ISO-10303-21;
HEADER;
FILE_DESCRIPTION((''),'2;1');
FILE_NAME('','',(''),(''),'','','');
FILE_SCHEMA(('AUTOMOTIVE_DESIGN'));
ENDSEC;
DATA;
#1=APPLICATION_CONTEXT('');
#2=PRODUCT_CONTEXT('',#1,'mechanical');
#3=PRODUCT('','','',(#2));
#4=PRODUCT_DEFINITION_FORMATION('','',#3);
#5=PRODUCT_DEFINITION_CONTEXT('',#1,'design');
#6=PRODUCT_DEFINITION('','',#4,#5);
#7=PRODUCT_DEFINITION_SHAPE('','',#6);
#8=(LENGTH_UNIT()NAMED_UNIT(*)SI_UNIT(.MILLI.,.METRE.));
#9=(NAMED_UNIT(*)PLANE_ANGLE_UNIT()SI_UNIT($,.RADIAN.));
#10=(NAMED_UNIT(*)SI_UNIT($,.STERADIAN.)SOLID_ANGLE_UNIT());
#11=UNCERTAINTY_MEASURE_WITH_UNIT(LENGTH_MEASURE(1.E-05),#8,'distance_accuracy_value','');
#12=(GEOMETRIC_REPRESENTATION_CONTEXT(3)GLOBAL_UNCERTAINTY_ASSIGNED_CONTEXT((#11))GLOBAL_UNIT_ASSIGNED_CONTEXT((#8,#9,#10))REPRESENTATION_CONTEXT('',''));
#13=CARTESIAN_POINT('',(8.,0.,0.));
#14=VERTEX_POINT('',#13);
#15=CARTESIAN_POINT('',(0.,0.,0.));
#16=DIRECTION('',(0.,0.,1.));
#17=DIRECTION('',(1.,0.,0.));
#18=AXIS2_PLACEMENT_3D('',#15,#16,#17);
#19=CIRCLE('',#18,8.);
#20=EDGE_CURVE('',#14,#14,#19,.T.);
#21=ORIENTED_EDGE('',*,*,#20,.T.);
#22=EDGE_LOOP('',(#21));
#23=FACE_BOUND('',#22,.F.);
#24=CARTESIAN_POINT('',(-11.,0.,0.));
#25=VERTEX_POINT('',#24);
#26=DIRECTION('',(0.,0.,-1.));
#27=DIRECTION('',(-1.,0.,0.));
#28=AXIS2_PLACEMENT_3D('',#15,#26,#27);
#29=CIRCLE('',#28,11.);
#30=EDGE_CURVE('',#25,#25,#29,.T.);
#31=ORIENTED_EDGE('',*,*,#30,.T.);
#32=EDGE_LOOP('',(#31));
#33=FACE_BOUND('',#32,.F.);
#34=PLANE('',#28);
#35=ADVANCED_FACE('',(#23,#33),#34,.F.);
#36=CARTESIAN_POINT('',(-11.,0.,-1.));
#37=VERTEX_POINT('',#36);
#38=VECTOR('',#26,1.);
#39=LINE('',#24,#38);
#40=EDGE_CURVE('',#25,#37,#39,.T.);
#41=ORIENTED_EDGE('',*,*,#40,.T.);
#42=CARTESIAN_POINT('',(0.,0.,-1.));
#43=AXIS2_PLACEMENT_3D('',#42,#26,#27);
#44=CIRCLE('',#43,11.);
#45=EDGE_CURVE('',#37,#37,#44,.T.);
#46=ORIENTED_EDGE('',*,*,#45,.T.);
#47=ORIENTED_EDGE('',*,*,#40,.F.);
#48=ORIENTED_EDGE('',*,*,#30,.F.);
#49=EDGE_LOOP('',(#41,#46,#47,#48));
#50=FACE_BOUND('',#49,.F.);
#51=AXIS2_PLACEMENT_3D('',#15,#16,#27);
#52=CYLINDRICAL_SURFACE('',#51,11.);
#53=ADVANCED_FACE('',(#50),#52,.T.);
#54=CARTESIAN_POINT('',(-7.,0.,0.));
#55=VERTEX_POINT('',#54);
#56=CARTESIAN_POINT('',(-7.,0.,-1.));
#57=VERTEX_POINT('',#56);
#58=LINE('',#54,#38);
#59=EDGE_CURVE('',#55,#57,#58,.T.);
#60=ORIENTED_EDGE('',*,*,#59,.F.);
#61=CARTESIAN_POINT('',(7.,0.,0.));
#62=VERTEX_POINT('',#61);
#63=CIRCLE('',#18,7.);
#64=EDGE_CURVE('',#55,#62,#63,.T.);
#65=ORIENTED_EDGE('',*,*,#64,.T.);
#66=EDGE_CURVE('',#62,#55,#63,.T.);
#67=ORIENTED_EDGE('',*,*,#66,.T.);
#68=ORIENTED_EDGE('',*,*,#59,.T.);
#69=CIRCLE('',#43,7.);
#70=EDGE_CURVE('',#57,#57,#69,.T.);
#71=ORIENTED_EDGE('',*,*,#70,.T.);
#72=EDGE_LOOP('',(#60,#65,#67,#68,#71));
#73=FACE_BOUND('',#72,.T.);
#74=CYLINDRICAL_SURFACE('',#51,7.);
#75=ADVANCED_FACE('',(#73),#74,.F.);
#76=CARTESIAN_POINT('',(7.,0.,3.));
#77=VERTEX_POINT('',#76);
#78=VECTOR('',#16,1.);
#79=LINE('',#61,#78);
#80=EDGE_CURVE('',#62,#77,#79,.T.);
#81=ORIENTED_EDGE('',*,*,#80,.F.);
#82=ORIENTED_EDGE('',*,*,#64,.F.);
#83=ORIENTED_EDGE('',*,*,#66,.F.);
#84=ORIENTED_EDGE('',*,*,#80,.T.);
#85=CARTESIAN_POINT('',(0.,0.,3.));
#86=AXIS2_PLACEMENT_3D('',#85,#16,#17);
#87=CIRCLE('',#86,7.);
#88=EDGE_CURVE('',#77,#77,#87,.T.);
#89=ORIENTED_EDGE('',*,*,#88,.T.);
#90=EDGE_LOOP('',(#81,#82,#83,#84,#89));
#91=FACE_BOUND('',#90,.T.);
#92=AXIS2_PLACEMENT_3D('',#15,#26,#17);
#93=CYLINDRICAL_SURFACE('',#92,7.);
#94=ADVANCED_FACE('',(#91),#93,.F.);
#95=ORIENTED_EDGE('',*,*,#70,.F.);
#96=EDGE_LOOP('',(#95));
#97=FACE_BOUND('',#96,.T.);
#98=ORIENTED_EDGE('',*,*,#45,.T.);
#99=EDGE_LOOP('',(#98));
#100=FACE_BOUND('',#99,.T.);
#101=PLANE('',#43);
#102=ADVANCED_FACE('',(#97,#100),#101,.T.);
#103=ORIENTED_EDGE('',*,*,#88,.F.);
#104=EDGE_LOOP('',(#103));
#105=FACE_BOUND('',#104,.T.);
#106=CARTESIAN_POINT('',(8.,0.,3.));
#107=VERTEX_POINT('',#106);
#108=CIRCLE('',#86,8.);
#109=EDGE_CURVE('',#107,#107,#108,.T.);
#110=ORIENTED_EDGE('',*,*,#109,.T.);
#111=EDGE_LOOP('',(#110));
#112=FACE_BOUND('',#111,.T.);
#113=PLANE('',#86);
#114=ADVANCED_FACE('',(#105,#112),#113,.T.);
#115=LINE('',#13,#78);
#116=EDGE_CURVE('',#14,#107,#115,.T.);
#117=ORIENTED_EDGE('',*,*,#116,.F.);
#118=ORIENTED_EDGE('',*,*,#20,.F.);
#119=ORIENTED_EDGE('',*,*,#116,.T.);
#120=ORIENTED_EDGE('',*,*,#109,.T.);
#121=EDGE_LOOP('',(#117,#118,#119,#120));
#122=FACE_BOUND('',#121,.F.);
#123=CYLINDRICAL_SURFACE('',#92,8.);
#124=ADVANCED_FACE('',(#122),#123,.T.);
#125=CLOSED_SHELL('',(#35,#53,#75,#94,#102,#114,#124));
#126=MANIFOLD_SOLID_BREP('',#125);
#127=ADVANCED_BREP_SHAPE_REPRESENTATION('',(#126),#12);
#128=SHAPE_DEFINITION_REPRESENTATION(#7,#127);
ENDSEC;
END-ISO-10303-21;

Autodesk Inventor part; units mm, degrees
ref_plane "YZ Plane" through (0, 0, 0) normal (1, 0, 0) x (0, 1, 0)
ref_plane "XZ Plane" through (0, 0, 0) normal (0, 1, 0) x (-1, 0, 0)
ref_plane "XY Plane" through (0, 0, 0) normal (0, 0, 1) x (1, 0, 0)
sketch "スケッチ1" plane through (0, 0, 0) normal (0, 0, 1) x (1, 0, 0)
  circle A0 centre (0, 0) radius 7
  circle A1 centre (0, 0) radius 8
  dimension "d0" = 14
  dimension "d1" = 16
extrude "押し出し1" add sketch "スケッチ1" along normal blind 3
sketch "スケッチ2" plane through (0, 0, 0) normal (0, 0, -1) x (-1, 0, 0)
  circle A0 centre (0, 0) radius 8 projected
  circle A1 centre (0, 0) radius 7 projected
  circle A2 centre (0, 0) radius 11
  dimension "d4" = 22
extrude "押し出し2" add sketch "スケッチ2" along normal blind 1 contours A0 | A2
properties part number "オイレスフランジ付き14162203" material "アセタール樹脂、黒"
